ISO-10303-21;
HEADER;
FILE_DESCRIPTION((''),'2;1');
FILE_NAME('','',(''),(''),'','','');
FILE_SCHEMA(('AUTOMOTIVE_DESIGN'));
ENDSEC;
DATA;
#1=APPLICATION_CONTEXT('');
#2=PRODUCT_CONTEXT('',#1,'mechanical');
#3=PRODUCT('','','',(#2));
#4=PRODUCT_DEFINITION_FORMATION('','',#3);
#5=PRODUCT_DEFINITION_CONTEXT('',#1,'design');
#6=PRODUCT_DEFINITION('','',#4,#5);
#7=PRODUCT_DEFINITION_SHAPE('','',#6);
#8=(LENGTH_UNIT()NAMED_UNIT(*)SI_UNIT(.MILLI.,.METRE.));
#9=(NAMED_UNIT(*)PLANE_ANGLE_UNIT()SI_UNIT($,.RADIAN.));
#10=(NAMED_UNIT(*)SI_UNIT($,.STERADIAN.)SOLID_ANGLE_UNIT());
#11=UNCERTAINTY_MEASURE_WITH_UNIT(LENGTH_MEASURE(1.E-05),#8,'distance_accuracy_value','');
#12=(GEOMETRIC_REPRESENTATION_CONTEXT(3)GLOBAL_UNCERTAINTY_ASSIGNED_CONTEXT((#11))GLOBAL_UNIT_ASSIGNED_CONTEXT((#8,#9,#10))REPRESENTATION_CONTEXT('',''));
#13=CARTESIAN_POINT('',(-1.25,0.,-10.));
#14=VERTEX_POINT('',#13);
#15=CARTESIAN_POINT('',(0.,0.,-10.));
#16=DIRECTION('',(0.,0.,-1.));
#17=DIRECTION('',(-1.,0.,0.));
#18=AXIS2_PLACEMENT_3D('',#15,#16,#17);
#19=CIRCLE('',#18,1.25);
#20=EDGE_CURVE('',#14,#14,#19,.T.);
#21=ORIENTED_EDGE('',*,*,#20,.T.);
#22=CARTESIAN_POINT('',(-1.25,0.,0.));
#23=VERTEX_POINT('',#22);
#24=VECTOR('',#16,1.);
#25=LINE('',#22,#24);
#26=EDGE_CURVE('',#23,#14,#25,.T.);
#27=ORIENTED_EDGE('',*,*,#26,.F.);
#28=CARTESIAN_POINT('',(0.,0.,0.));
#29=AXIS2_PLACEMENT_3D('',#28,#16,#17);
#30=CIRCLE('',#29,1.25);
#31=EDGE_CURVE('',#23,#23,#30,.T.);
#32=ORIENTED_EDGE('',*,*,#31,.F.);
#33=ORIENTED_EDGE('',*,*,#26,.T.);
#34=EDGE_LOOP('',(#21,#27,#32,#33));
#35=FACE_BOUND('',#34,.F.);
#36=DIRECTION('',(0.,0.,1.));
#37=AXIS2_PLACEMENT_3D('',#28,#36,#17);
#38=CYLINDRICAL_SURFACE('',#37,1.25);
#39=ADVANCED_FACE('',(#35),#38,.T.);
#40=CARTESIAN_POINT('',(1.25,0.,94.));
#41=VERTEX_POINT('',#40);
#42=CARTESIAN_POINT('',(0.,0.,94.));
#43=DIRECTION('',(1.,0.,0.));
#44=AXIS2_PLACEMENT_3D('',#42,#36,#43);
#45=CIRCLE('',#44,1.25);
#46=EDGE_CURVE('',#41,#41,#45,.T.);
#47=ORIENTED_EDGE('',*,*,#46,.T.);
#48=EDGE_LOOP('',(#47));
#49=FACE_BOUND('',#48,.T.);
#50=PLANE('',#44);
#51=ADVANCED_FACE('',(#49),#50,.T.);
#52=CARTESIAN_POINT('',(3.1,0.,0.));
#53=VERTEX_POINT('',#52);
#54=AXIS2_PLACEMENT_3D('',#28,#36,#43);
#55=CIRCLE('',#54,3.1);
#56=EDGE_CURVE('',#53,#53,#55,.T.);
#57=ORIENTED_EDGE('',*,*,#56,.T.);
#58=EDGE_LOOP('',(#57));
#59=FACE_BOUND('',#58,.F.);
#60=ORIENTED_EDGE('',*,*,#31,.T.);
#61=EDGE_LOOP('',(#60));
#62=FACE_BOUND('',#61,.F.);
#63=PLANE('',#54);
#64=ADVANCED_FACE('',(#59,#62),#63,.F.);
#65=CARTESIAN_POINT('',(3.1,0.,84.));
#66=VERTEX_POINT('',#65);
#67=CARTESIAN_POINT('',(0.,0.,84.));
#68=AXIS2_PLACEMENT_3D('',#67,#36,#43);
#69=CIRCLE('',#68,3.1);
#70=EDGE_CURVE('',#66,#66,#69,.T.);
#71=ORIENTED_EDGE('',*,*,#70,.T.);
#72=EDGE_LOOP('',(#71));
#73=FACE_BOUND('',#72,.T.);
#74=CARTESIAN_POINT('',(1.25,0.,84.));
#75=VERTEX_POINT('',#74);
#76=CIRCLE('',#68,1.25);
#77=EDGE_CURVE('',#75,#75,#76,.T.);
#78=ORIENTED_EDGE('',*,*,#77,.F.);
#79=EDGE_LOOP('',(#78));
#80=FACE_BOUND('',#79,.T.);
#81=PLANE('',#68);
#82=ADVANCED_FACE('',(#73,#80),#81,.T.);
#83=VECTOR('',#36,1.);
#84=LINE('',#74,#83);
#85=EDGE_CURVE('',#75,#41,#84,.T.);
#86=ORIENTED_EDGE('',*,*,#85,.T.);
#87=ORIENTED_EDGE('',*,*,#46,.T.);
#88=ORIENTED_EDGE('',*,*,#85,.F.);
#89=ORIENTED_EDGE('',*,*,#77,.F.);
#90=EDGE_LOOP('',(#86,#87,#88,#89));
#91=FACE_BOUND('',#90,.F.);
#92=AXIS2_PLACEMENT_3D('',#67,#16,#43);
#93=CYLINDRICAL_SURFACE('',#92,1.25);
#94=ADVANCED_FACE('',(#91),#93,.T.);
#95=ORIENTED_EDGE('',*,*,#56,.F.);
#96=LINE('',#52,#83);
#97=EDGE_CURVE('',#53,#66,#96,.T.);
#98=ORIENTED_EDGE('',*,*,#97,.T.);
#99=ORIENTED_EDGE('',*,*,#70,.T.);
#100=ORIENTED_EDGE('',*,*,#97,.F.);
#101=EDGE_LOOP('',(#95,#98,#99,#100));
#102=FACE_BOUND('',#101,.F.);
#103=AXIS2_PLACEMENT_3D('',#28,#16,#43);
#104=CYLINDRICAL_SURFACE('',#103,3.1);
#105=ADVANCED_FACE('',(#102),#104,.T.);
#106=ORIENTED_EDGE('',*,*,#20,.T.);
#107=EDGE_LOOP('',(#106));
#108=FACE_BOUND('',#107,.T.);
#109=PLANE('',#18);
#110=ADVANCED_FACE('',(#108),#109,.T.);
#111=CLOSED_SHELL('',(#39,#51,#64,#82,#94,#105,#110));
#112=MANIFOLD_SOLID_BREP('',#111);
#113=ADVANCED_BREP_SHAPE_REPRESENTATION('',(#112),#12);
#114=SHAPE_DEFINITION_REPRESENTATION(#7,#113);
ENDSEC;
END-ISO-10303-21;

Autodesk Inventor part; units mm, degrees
ref_plane "YZ Plane" through (0, 0, 0) normal (1, 0, 0) x (0, 1, 0)
ref_plane "XZ Plane" through (0, 0, 0) normal (0, 1, 0) x (-1, 0, 0)
ref_plane "XY Plane" through (0, 0, 0) normal (0, 0, 1) x (1, 0, 0)
sketch "Sketch1" plane through (0, 0, 0) normal (0, 0, 1) x (1, 0, 0)
  circle A0 centre (0, 0) radius 3.1
  dimension "d0" = 6.2
extrude "Extrusion1" add sketch "Sketch1" along normal blind 84
sketch "Sketch2" plane through (0, 0, 84) normal (0, 0, 1) x (1, 0, 0)
  circle A0 centre (0, 0) radius 1.25
  dimension "d3" = 2.5
extrude "Extrusion2" add sketch "Sketch2" along normal blind 10
sketch "Sketch3" plane through (0, 0, 0) normal (0, 0, -1) x (-1, 0, 0)
  circle A0 centre (0, 0) radius 1.25
  dimension "d6" = 2.5
extrude "Extrusion3" add sketch "Sketch3" along normal blind 10
properties part number "Bed Plate Axle"
